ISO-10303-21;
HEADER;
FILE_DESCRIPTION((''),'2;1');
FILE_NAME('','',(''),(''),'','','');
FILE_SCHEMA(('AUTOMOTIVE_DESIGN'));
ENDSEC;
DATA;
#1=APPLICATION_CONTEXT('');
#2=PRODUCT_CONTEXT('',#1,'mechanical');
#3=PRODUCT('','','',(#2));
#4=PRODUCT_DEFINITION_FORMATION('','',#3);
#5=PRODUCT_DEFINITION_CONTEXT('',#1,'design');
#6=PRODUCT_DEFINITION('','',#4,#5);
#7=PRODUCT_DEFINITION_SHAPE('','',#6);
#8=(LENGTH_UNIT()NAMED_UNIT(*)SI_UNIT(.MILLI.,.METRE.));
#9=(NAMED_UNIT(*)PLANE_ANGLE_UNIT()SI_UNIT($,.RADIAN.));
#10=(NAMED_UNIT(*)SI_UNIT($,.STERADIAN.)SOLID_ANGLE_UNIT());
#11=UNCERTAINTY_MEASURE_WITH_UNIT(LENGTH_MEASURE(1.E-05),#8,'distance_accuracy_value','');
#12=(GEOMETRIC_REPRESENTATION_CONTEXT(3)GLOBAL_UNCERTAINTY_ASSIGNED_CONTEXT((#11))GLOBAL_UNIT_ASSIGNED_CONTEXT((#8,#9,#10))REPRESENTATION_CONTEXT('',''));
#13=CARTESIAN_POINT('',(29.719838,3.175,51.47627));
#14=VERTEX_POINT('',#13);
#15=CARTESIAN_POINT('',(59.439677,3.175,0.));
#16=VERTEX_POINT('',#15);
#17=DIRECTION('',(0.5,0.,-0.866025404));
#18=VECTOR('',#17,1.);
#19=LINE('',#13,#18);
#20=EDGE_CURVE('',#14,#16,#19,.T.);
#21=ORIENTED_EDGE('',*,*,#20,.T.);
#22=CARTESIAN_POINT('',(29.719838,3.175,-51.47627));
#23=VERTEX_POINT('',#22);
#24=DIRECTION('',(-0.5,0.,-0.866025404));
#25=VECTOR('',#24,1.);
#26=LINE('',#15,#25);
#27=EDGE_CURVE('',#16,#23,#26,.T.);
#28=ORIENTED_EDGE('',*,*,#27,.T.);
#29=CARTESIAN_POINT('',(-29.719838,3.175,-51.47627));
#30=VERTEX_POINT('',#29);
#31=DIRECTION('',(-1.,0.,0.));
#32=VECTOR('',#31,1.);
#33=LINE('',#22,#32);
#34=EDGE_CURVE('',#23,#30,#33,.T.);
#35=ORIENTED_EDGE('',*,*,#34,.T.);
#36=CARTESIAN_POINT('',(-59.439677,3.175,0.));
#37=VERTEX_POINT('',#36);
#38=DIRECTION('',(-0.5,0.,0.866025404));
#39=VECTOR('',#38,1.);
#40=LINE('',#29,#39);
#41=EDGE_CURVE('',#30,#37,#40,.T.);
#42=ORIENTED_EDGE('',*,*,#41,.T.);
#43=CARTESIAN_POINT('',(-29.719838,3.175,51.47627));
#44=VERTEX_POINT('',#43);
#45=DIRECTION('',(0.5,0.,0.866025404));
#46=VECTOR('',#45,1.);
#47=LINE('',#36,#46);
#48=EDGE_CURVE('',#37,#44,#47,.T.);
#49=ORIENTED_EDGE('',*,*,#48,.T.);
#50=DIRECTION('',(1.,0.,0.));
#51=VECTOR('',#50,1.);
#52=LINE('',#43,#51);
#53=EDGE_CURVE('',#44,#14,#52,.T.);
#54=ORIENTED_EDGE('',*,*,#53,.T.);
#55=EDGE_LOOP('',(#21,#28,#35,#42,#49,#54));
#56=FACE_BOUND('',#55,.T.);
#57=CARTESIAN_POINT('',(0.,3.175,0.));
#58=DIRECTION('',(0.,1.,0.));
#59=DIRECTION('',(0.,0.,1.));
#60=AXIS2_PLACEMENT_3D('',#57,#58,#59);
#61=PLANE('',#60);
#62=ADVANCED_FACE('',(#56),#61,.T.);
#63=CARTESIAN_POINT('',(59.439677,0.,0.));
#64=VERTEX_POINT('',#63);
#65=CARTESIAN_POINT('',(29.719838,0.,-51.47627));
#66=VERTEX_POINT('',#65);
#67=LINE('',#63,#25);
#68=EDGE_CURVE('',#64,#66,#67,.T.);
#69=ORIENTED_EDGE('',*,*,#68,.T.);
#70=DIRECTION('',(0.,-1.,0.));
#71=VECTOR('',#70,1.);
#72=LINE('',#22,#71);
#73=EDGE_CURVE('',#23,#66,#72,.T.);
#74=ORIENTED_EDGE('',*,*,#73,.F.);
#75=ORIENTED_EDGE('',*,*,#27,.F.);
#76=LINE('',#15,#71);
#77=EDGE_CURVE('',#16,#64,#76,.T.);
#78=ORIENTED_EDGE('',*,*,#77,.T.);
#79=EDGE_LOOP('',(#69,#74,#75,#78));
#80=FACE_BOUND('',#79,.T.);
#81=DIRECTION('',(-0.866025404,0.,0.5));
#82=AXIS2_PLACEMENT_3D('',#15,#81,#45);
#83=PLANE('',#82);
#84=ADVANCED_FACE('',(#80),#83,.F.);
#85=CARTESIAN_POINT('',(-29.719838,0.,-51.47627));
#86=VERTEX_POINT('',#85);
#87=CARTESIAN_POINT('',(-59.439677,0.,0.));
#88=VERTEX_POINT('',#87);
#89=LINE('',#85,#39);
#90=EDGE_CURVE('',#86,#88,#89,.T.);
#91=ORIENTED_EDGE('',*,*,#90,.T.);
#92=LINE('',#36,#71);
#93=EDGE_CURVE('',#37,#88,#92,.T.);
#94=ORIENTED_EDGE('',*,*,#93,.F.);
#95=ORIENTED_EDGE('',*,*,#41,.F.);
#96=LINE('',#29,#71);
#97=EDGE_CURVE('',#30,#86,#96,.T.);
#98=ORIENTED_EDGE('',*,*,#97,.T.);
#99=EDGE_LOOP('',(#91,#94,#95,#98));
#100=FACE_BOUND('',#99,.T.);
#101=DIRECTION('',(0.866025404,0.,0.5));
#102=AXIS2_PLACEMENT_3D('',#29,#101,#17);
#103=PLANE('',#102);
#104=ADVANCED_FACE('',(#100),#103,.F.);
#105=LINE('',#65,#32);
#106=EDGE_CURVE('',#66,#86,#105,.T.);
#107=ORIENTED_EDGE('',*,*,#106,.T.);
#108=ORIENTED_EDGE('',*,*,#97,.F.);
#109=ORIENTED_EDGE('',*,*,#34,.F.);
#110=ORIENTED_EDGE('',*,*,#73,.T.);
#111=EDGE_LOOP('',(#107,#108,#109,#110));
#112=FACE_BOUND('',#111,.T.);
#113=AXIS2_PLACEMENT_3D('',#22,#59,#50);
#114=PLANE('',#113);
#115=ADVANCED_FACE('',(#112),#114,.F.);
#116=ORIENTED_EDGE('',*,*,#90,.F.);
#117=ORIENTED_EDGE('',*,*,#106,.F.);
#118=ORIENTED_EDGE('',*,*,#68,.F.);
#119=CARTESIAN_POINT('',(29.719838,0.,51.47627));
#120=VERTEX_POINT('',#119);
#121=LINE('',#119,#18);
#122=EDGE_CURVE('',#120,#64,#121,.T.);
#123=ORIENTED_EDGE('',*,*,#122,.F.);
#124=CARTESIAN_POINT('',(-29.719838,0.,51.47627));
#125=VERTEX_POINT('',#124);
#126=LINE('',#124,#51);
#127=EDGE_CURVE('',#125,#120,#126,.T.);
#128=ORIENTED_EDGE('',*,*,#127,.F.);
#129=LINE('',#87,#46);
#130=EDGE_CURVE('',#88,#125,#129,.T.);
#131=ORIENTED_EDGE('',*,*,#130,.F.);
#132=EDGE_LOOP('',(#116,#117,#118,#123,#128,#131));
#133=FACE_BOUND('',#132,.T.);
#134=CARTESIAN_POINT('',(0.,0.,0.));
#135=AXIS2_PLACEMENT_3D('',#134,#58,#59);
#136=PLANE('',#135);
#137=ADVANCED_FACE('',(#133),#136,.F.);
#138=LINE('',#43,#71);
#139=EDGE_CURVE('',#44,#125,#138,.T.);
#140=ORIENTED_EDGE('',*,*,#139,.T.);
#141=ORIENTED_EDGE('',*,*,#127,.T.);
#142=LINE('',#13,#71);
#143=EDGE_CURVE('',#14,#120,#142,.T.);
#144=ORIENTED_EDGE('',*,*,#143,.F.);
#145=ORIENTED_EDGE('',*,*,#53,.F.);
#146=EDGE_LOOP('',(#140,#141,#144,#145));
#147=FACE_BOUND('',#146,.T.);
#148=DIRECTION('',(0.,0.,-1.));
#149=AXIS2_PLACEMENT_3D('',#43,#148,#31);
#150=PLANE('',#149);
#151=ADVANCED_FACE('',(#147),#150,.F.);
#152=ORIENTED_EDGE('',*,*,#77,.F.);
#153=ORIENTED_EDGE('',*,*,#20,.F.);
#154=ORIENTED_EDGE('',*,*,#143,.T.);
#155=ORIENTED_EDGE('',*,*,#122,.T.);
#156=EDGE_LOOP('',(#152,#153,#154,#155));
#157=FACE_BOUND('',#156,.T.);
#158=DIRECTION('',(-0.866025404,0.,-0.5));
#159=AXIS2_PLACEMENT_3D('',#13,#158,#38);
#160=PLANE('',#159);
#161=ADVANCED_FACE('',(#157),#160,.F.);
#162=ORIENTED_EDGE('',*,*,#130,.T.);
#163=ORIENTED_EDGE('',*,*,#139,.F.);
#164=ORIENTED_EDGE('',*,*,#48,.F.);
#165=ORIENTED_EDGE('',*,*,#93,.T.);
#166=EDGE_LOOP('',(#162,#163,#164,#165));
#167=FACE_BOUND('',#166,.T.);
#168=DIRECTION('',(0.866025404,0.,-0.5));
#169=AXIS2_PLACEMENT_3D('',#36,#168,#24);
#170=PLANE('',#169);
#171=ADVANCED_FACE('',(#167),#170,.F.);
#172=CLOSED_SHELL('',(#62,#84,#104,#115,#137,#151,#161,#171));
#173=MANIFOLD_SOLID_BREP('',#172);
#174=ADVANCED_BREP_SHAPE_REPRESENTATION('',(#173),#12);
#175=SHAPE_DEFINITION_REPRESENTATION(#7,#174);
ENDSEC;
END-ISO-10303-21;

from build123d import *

# Parameters (mm, degrees)
BOSS_EXTRUDE1_DEPTH = 3.175


with BuildPart() as part:
    # Sketch1 → Boss-Extrude1 (new body)
    with BuildSketch(Plane(origin=(0, 0, 0), x_dir=(1, 0, 0), z_dir=(0, 1, 0))):
        Polygon((59.439676901, 0), (29.719838451, 51.476270189), (-29.719838451, 51.476270189), (-59.439676901, 0), (-29.719838451, -51.476270189), (29.719838451, -51.476270189), align=None)
    extrude(amount=BOSS_EXTRUDE1_DEPTH)


solid = part.part
